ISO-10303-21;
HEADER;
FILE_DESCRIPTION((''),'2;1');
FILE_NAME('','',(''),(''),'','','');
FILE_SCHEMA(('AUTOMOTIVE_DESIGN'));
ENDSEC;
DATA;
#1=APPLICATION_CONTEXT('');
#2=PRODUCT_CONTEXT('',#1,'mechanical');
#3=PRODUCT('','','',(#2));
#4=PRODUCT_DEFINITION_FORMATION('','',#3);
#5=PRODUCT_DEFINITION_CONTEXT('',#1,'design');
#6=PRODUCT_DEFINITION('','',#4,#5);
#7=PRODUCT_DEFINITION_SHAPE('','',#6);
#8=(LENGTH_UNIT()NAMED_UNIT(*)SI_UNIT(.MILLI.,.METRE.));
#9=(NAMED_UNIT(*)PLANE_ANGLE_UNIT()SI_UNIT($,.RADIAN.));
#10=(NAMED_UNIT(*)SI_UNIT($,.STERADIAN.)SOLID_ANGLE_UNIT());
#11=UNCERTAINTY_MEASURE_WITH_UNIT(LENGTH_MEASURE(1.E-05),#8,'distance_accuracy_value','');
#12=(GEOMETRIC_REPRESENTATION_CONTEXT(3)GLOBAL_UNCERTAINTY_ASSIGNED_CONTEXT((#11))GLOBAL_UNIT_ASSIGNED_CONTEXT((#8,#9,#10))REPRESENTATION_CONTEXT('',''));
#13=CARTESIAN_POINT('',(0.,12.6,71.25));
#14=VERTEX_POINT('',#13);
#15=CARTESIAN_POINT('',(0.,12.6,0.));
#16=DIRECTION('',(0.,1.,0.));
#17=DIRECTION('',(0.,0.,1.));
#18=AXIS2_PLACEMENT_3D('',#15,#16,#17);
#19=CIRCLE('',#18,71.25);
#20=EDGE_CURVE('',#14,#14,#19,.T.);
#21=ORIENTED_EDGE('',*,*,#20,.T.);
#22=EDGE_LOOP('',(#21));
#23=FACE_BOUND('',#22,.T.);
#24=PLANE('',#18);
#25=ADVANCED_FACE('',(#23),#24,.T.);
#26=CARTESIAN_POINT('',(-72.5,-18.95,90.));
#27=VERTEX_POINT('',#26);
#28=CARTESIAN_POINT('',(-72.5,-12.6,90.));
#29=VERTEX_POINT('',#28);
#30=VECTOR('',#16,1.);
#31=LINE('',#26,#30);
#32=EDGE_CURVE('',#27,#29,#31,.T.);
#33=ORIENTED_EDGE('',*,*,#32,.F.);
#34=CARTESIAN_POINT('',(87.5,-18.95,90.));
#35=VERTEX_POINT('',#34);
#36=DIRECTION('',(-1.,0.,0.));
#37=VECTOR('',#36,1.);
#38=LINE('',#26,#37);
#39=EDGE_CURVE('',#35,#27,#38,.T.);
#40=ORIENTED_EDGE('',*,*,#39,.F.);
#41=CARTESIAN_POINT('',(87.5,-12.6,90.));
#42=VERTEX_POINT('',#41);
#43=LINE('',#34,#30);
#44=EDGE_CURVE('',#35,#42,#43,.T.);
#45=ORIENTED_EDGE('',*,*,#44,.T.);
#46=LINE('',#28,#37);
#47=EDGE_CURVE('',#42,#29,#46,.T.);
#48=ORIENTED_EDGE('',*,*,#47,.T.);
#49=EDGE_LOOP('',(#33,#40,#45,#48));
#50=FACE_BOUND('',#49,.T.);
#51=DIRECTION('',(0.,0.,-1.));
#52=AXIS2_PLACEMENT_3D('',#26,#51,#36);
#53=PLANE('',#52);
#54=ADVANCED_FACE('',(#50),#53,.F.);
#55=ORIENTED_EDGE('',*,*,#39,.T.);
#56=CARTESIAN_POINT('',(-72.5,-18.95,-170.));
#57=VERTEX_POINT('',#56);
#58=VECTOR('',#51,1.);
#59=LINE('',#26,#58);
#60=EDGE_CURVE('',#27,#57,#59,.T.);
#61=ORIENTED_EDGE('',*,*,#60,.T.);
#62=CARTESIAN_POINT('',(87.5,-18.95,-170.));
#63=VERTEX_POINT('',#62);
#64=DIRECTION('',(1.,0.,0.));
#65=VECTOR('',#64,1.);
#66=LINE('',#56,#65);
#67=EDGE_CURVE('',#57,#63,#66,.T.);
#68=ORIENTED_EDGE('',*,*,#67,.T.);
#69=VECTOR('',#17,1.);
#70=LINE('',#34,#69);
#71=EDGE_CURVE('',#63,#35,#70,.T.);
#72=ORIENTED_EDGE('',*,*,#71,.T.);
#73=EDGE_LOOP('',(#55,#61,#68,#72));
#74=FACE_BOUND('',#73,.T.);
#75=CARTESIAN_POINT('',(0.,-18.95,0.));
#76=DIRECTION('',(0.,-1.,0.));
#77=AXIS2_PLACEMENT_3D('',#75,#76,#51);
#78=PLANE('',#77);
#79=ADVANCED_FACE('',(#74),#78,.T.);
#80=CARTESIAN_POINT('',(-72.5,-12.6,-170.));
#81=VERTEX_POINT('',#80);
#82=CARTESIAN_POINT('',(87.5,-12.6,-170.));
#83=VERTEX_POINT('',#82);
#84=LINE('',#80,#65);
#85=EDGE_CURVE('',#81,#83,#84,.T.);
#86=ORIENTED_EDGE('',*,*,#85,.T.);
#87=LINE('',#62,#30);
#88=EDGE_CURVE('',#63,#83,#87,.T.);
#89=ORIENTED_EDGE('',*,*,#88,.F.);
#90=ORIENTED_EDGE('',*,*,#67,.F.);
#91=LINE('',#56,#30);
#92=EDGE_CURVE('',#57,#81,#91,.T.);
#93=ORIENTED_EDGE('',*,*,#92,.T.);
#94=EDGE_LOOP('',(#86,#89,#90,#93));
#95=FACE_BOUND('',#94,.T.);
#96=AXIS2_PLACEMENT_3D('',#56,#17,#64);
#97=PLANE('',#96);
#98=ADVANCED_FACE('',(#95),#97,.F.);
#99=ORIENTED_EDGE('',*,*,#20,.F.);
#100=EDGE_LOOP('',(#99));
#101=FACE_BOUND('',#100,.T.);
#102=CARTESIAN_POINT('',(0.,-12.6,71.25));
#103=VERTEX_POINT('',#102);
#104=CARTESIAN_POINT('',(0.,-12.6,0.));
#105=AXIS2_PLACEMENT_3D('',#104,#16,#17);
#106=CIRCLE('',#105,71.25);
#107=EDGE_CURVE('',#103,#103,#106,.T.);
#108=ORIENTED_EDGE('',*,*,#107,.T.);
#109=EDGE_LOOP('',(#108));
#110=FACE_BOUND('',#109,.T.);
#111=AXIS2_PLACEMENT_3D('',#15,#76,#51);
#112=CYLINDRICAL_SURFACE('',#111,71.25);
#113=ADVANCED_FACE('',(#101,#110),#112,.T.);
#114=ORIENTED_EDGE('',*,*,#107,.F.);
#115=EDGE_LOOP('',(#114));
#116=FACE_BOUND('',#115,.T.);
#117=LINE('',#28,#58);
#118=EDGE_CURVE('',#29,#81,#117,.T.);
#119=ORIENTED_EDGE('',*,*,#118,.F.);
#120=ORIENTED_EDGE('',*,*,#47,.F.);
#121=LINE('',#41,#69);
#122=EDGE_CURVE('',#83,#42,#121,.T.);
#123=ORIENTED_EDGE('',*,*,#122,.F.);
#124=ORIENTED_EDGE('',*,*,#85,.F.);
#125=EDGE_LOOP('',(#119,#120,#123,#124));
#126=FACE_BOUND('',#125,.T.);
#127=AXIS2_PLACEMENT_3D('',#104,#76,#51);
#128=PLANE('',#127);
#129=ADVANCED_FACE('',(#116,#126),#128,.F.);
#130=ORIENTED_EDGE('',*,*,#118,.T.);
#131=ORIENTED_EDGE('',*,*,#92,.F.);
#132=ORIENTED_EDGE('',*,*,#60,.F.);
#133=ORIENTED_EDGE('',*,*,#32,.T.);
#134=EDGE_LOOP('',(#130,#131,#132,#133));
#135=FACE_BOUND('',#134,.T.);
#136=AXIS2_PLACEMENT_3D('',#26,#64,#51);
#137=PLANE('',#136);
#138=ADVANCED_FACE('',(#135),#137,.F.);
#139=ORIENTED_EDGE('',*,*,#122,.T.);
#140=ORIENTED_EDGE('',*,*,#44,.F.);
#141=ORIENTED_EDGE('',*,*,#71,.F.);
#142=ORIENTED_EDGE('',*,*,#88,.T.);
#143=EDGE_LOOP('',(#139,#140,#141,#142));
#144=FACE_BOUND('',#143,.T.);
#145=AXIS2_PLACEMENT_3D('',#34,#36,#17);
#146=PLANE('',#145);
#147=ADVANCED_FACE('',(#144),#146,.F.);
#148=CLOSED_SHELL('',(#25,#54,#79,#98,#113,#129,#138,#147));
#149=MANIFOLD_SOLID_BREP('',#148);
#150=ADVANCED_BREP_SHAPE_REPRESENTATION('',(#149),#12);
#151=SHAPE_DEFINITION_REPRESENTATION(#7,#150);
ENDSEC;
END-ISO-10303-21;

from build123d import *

# Parameters (mm, degrees)
SKETCH1_R           = 71.25
BOSS_EXTRUDE1_DEPTH = 12.6
SKETCH2_W           = 160
SKETCH2_H           = 260
BOSS_EXTRUDE2_DEPTH = 6.35


with BuildPart() as part:
    # Sketch1 → Boss-Extrude1 (new, symmetric)
    with BuildSketch(Plane(origin=(0, 0, 0), x_dir=(1, 0, 0), z_dir=(0, 1, 0))):
        with Locations(Location((0, 0, 0), (0, 0, 270))):
            Circle(SKETCH1_R)
    extrude(amount=BOSS_EXTRUDE1_DEPTH, both=True)

    # Sketch2 → Boss-Extrude2 (add)
    with BuildSketch(Plane.XZ.offset(12.6)):
        with Locations((7.5, -40)):
            Rectangle(SKETCH2_W, SKETCH2_H)
    extrude(amount=BOSS_EXTRUDE2_DEPTH)


solid = part.part
